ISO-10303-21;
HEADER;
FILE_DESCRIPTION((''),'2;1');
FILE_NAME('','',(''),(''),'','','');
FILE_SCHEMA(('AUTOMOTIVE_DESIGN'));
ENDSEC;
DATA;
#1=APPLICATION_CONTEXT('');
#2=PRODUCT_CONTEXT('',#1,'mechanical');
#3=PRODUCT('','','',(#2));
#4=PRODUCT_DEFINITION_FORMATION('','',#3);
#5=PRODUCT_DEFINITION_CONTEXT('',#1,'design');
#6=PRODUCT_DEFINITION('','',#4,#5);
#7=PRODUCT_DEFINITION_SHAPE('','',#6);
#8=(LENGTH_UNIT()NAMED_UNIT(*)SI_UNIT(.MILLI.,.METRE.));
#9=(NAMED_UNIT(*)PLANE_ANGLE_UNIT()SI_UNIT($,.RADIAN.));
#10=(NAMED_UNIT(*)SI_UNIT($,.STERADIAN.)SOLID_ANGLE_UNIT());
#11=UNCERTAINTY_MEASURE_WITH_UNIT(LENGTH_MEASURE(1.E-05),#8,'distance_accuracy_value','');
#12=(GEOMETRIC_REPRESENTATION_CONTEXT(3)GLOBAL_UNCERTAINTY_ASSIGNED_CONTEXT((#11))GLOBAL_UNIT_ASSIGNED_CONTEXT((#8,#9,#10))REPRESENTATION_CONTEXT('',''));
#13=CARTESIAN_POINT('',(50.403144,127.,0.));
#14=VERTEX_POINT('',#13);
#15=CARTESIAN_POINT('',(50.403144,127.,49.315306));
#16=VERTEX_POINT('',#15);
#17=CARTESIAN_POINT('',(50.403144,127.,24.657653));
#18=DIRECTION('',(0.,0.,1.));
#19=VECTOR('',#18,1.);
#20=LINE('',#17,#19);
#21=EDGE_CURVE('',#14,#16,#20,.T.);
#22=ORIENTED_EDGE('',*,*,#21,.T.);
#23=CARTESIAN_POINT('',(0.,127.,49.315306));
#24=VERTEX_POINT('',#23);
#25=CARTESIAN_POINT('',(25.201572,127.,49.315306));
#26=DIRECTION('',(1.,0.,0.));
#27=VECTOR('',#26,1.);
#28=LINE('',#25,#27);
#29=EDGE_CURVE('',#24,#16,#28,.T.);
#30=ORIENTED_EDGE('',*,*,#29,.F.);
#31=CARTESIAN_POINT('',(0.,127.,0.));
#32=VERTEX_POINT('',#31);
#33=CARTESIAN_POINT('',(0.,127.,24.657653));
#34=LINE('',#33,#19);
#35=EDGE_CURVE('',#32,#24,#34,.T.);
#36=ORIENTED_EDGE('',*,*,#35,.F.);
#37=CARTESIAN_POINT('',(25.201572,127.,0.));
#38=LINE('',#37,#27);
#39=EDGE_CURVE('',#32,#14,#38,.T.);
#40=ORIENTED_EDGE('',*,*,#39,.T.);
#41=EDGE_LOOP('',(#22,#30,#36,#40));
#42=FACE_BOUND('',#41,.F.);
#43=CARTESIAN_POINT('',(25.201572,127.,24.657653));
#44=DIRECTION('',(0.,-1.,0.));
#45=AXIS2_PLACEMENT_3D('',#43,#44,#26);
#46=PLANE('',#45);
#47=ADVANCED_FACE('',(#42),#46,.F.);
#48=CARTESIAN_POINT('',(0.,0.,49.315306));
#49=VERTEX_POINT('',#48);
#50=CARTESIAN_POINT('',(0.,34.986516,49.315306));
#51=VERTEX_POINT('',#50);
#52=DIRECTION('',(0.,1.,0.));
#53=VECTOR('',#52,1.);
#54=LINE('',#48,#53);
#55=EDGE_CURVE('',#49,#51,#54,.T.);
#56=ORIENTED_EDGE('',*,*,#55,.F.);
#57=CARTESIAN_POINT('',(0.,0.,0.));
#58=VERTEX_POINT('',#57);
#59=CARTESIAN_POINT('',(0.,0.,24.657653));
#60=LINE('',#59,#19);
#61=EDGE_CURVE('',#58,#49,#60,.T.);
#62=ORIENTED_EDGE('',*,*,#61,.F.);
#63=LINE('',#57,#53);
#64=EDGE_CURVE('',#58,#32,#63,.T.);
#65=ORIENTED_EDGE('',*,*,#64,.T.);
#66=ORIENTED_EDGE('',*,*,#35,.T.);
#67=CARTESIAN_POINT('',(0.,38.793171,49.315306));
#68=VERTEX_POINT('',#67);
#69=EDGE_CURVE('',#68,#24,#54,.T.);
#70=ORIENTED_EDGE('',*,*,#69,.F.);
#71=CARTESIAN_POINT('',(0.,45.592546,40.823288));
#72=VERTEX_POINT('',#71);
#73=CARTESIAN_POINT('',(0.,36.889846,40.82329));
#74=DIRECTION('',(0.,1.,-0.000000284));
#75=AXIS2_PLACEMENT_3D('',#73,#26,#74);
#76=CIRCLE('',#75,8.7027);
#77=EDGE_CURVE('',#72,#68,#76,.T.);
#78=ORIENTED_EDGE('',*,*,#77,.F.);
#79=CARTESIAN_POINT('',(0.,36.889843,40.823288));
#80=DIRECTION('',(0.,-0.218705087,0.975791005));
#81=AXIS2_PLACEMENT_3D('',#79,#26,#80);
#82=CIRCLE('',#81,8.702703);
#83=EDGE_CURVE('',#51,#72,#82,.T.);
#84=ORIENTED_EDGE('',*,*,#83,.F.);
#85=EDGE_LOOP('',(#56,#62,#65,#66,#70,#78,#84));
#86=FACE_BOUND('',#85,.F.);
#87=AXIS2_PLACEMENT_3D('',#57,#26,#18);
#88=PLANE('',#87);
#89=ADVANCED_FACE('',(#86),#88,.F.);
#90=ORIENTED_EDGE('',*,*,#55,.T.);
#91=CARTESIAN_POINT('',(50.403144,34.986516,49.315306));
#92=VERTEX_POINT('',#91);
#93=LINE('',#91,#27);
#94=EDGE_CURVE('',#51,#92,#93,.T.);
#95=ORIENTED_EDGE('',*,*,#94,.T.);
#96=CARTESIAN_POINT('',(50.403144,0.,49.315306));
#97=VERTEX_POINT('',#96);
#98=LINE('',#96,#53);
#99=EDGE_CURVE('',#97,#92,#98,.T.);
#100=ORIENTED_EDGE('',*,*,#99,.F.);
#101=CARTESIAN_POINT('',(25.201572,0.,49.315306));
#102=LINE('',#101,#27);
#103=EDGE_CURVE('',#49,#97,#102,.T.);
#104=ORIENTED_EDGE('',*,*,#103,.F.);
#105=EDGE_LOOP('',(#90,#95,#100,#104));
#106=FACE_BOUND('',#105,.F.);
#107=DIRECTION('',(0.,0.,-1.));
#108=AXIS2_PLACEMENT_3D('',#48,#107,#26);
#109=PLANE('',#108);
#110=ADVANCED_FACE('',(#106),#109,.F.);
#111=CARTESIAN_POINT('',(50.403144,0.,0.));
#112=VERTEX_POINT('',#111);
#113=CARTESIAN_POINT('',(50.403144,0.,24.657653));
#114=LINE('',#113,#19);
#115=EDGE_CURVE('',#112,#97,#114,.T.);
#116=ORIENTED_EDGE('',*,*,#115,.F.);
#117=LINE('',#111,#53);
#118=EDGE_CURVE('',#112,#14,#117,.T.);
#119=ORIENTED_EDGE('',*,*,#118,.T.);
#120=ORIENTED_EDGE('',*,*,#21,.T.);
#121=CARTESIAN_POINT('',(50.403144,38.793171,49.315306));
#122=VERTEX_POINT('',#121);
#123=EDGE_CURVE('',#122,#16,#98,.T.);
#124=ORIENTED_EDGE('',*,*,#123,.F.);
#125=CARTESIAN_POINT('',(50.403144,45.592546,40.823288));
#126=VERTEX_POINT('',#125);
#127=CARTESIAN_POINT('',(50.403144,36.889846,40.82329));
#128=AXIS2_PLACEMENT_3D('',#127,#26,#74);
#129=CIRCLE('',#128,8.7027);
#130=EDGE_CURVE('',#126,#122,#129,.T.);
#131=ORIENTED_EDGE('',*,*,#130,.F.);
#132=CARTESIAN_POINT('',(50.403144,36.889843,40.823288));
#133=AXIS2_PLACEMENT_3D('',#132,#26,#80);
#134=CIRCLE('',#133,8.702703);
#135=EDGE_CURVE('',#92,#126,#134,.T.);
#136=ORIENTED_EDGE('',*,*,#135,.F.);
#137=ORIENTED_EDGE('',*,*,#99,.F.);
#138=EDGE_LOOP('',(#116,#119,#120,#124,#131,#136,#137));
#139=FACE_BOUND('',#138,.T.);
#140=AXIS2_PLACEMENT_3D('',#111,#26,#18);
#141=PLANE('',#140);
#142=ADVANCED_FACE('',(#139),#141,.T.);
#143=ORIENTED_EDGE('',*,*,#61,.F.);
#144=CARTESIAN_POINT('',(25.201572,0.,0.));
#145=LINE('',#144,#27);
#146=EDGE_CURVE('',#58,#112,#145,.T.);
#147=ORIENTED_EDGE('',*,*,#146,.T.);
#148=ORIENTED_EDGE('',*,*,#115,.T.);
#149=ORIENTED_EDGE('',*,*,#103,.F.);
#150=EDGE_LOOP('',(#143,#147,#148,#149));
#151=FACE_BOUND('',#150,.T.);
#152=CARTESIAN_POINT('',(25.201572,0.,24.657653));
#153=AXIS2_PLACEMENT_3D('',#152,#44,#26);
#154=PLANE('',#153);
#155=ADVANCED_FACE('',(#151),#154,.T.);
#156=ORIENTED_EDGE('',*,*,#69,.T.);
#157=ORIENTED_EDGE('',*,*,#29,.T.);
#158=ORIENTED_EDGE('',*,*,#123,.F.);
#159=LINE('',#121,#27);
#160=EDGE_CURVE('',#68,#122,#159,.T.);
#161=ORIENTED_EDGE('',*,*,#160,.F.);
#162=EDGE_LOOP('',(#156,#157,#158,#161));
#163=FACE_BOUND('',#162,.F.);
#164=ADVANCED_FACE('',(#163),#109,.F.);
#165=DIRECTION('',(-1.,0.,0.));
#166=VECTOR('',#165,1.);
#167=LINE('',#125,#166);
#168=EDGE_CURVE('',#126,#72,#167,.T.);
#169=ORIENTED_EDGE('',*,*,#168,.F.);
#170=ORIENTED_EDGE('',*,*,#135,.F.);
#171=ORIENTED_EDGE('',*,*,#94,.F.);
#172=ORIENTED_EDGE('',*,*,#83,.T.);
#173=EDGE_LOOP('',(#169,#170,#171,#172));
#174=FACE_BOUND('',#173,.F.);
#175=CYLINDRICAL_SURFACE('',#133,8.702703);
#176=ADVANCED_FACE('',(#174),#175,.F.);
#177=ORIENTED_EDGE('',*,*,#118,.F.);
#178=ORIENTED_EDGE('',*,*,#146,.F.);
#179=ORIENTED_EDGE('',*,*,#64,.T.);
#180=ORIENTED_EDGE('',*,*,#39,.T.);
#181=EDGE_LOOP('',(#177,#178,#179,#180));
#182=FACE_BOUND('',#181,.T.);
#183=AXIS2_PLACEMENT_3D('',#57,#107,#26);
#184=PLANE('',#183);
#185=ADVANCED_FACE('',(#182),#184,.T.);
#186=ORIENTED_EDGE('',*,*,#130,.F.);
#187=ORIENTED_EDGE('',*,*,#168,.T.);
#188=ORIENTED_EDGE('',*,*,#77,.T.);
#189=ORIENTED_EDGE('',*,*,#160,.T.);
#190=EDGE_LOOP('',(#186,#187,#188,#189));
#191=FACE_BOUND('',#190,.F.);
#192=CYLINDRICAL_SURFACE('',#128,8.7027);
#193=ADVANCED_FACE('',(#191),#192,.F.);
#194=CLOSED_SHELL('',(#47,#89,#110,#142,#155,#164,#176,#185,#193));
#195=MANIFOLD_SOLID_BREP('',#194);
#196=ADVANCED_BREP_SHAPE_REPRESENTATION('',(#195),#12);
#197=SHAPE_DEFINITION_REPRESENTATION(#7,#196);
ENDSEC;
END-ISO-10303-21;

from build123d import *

# Parameters (mm, degrees)
F0_W     = 50.403144
F0_H     = 49.315307
F1_DEPTH = 127
F3_DEPTH = 50.403144


with BuildPart() as f1:
    # F0 (on Front) → F1 (new body)
    with BuildSketch(Plane.XZ):
        with Locations((25.201572, 24.657653)):
            Rectangle(F0_W, F0_H)
    extrude(amount=-F1_DEPTH)

    # F2 (on face) → F3 (cut, through all)
    with BuildSketch(Plane.YZ.offset(50.403144)):
        with BuildLine():
            ThreePointArc((34.986518, 49.315307), (31.450498, 34.029868), (45.592546, 40.823288))
            ThreePointArc((45.592546, 40.823288), (43.683264, 46.262634), (38.793169, 49.315307))
            Line((38.793169, 49.315307), (34.986518, 49.315307))
        make_face()
    extrude(amount=-F3_DEPTH, mode=Mode.SUBTRACT)


solid = f1.part
